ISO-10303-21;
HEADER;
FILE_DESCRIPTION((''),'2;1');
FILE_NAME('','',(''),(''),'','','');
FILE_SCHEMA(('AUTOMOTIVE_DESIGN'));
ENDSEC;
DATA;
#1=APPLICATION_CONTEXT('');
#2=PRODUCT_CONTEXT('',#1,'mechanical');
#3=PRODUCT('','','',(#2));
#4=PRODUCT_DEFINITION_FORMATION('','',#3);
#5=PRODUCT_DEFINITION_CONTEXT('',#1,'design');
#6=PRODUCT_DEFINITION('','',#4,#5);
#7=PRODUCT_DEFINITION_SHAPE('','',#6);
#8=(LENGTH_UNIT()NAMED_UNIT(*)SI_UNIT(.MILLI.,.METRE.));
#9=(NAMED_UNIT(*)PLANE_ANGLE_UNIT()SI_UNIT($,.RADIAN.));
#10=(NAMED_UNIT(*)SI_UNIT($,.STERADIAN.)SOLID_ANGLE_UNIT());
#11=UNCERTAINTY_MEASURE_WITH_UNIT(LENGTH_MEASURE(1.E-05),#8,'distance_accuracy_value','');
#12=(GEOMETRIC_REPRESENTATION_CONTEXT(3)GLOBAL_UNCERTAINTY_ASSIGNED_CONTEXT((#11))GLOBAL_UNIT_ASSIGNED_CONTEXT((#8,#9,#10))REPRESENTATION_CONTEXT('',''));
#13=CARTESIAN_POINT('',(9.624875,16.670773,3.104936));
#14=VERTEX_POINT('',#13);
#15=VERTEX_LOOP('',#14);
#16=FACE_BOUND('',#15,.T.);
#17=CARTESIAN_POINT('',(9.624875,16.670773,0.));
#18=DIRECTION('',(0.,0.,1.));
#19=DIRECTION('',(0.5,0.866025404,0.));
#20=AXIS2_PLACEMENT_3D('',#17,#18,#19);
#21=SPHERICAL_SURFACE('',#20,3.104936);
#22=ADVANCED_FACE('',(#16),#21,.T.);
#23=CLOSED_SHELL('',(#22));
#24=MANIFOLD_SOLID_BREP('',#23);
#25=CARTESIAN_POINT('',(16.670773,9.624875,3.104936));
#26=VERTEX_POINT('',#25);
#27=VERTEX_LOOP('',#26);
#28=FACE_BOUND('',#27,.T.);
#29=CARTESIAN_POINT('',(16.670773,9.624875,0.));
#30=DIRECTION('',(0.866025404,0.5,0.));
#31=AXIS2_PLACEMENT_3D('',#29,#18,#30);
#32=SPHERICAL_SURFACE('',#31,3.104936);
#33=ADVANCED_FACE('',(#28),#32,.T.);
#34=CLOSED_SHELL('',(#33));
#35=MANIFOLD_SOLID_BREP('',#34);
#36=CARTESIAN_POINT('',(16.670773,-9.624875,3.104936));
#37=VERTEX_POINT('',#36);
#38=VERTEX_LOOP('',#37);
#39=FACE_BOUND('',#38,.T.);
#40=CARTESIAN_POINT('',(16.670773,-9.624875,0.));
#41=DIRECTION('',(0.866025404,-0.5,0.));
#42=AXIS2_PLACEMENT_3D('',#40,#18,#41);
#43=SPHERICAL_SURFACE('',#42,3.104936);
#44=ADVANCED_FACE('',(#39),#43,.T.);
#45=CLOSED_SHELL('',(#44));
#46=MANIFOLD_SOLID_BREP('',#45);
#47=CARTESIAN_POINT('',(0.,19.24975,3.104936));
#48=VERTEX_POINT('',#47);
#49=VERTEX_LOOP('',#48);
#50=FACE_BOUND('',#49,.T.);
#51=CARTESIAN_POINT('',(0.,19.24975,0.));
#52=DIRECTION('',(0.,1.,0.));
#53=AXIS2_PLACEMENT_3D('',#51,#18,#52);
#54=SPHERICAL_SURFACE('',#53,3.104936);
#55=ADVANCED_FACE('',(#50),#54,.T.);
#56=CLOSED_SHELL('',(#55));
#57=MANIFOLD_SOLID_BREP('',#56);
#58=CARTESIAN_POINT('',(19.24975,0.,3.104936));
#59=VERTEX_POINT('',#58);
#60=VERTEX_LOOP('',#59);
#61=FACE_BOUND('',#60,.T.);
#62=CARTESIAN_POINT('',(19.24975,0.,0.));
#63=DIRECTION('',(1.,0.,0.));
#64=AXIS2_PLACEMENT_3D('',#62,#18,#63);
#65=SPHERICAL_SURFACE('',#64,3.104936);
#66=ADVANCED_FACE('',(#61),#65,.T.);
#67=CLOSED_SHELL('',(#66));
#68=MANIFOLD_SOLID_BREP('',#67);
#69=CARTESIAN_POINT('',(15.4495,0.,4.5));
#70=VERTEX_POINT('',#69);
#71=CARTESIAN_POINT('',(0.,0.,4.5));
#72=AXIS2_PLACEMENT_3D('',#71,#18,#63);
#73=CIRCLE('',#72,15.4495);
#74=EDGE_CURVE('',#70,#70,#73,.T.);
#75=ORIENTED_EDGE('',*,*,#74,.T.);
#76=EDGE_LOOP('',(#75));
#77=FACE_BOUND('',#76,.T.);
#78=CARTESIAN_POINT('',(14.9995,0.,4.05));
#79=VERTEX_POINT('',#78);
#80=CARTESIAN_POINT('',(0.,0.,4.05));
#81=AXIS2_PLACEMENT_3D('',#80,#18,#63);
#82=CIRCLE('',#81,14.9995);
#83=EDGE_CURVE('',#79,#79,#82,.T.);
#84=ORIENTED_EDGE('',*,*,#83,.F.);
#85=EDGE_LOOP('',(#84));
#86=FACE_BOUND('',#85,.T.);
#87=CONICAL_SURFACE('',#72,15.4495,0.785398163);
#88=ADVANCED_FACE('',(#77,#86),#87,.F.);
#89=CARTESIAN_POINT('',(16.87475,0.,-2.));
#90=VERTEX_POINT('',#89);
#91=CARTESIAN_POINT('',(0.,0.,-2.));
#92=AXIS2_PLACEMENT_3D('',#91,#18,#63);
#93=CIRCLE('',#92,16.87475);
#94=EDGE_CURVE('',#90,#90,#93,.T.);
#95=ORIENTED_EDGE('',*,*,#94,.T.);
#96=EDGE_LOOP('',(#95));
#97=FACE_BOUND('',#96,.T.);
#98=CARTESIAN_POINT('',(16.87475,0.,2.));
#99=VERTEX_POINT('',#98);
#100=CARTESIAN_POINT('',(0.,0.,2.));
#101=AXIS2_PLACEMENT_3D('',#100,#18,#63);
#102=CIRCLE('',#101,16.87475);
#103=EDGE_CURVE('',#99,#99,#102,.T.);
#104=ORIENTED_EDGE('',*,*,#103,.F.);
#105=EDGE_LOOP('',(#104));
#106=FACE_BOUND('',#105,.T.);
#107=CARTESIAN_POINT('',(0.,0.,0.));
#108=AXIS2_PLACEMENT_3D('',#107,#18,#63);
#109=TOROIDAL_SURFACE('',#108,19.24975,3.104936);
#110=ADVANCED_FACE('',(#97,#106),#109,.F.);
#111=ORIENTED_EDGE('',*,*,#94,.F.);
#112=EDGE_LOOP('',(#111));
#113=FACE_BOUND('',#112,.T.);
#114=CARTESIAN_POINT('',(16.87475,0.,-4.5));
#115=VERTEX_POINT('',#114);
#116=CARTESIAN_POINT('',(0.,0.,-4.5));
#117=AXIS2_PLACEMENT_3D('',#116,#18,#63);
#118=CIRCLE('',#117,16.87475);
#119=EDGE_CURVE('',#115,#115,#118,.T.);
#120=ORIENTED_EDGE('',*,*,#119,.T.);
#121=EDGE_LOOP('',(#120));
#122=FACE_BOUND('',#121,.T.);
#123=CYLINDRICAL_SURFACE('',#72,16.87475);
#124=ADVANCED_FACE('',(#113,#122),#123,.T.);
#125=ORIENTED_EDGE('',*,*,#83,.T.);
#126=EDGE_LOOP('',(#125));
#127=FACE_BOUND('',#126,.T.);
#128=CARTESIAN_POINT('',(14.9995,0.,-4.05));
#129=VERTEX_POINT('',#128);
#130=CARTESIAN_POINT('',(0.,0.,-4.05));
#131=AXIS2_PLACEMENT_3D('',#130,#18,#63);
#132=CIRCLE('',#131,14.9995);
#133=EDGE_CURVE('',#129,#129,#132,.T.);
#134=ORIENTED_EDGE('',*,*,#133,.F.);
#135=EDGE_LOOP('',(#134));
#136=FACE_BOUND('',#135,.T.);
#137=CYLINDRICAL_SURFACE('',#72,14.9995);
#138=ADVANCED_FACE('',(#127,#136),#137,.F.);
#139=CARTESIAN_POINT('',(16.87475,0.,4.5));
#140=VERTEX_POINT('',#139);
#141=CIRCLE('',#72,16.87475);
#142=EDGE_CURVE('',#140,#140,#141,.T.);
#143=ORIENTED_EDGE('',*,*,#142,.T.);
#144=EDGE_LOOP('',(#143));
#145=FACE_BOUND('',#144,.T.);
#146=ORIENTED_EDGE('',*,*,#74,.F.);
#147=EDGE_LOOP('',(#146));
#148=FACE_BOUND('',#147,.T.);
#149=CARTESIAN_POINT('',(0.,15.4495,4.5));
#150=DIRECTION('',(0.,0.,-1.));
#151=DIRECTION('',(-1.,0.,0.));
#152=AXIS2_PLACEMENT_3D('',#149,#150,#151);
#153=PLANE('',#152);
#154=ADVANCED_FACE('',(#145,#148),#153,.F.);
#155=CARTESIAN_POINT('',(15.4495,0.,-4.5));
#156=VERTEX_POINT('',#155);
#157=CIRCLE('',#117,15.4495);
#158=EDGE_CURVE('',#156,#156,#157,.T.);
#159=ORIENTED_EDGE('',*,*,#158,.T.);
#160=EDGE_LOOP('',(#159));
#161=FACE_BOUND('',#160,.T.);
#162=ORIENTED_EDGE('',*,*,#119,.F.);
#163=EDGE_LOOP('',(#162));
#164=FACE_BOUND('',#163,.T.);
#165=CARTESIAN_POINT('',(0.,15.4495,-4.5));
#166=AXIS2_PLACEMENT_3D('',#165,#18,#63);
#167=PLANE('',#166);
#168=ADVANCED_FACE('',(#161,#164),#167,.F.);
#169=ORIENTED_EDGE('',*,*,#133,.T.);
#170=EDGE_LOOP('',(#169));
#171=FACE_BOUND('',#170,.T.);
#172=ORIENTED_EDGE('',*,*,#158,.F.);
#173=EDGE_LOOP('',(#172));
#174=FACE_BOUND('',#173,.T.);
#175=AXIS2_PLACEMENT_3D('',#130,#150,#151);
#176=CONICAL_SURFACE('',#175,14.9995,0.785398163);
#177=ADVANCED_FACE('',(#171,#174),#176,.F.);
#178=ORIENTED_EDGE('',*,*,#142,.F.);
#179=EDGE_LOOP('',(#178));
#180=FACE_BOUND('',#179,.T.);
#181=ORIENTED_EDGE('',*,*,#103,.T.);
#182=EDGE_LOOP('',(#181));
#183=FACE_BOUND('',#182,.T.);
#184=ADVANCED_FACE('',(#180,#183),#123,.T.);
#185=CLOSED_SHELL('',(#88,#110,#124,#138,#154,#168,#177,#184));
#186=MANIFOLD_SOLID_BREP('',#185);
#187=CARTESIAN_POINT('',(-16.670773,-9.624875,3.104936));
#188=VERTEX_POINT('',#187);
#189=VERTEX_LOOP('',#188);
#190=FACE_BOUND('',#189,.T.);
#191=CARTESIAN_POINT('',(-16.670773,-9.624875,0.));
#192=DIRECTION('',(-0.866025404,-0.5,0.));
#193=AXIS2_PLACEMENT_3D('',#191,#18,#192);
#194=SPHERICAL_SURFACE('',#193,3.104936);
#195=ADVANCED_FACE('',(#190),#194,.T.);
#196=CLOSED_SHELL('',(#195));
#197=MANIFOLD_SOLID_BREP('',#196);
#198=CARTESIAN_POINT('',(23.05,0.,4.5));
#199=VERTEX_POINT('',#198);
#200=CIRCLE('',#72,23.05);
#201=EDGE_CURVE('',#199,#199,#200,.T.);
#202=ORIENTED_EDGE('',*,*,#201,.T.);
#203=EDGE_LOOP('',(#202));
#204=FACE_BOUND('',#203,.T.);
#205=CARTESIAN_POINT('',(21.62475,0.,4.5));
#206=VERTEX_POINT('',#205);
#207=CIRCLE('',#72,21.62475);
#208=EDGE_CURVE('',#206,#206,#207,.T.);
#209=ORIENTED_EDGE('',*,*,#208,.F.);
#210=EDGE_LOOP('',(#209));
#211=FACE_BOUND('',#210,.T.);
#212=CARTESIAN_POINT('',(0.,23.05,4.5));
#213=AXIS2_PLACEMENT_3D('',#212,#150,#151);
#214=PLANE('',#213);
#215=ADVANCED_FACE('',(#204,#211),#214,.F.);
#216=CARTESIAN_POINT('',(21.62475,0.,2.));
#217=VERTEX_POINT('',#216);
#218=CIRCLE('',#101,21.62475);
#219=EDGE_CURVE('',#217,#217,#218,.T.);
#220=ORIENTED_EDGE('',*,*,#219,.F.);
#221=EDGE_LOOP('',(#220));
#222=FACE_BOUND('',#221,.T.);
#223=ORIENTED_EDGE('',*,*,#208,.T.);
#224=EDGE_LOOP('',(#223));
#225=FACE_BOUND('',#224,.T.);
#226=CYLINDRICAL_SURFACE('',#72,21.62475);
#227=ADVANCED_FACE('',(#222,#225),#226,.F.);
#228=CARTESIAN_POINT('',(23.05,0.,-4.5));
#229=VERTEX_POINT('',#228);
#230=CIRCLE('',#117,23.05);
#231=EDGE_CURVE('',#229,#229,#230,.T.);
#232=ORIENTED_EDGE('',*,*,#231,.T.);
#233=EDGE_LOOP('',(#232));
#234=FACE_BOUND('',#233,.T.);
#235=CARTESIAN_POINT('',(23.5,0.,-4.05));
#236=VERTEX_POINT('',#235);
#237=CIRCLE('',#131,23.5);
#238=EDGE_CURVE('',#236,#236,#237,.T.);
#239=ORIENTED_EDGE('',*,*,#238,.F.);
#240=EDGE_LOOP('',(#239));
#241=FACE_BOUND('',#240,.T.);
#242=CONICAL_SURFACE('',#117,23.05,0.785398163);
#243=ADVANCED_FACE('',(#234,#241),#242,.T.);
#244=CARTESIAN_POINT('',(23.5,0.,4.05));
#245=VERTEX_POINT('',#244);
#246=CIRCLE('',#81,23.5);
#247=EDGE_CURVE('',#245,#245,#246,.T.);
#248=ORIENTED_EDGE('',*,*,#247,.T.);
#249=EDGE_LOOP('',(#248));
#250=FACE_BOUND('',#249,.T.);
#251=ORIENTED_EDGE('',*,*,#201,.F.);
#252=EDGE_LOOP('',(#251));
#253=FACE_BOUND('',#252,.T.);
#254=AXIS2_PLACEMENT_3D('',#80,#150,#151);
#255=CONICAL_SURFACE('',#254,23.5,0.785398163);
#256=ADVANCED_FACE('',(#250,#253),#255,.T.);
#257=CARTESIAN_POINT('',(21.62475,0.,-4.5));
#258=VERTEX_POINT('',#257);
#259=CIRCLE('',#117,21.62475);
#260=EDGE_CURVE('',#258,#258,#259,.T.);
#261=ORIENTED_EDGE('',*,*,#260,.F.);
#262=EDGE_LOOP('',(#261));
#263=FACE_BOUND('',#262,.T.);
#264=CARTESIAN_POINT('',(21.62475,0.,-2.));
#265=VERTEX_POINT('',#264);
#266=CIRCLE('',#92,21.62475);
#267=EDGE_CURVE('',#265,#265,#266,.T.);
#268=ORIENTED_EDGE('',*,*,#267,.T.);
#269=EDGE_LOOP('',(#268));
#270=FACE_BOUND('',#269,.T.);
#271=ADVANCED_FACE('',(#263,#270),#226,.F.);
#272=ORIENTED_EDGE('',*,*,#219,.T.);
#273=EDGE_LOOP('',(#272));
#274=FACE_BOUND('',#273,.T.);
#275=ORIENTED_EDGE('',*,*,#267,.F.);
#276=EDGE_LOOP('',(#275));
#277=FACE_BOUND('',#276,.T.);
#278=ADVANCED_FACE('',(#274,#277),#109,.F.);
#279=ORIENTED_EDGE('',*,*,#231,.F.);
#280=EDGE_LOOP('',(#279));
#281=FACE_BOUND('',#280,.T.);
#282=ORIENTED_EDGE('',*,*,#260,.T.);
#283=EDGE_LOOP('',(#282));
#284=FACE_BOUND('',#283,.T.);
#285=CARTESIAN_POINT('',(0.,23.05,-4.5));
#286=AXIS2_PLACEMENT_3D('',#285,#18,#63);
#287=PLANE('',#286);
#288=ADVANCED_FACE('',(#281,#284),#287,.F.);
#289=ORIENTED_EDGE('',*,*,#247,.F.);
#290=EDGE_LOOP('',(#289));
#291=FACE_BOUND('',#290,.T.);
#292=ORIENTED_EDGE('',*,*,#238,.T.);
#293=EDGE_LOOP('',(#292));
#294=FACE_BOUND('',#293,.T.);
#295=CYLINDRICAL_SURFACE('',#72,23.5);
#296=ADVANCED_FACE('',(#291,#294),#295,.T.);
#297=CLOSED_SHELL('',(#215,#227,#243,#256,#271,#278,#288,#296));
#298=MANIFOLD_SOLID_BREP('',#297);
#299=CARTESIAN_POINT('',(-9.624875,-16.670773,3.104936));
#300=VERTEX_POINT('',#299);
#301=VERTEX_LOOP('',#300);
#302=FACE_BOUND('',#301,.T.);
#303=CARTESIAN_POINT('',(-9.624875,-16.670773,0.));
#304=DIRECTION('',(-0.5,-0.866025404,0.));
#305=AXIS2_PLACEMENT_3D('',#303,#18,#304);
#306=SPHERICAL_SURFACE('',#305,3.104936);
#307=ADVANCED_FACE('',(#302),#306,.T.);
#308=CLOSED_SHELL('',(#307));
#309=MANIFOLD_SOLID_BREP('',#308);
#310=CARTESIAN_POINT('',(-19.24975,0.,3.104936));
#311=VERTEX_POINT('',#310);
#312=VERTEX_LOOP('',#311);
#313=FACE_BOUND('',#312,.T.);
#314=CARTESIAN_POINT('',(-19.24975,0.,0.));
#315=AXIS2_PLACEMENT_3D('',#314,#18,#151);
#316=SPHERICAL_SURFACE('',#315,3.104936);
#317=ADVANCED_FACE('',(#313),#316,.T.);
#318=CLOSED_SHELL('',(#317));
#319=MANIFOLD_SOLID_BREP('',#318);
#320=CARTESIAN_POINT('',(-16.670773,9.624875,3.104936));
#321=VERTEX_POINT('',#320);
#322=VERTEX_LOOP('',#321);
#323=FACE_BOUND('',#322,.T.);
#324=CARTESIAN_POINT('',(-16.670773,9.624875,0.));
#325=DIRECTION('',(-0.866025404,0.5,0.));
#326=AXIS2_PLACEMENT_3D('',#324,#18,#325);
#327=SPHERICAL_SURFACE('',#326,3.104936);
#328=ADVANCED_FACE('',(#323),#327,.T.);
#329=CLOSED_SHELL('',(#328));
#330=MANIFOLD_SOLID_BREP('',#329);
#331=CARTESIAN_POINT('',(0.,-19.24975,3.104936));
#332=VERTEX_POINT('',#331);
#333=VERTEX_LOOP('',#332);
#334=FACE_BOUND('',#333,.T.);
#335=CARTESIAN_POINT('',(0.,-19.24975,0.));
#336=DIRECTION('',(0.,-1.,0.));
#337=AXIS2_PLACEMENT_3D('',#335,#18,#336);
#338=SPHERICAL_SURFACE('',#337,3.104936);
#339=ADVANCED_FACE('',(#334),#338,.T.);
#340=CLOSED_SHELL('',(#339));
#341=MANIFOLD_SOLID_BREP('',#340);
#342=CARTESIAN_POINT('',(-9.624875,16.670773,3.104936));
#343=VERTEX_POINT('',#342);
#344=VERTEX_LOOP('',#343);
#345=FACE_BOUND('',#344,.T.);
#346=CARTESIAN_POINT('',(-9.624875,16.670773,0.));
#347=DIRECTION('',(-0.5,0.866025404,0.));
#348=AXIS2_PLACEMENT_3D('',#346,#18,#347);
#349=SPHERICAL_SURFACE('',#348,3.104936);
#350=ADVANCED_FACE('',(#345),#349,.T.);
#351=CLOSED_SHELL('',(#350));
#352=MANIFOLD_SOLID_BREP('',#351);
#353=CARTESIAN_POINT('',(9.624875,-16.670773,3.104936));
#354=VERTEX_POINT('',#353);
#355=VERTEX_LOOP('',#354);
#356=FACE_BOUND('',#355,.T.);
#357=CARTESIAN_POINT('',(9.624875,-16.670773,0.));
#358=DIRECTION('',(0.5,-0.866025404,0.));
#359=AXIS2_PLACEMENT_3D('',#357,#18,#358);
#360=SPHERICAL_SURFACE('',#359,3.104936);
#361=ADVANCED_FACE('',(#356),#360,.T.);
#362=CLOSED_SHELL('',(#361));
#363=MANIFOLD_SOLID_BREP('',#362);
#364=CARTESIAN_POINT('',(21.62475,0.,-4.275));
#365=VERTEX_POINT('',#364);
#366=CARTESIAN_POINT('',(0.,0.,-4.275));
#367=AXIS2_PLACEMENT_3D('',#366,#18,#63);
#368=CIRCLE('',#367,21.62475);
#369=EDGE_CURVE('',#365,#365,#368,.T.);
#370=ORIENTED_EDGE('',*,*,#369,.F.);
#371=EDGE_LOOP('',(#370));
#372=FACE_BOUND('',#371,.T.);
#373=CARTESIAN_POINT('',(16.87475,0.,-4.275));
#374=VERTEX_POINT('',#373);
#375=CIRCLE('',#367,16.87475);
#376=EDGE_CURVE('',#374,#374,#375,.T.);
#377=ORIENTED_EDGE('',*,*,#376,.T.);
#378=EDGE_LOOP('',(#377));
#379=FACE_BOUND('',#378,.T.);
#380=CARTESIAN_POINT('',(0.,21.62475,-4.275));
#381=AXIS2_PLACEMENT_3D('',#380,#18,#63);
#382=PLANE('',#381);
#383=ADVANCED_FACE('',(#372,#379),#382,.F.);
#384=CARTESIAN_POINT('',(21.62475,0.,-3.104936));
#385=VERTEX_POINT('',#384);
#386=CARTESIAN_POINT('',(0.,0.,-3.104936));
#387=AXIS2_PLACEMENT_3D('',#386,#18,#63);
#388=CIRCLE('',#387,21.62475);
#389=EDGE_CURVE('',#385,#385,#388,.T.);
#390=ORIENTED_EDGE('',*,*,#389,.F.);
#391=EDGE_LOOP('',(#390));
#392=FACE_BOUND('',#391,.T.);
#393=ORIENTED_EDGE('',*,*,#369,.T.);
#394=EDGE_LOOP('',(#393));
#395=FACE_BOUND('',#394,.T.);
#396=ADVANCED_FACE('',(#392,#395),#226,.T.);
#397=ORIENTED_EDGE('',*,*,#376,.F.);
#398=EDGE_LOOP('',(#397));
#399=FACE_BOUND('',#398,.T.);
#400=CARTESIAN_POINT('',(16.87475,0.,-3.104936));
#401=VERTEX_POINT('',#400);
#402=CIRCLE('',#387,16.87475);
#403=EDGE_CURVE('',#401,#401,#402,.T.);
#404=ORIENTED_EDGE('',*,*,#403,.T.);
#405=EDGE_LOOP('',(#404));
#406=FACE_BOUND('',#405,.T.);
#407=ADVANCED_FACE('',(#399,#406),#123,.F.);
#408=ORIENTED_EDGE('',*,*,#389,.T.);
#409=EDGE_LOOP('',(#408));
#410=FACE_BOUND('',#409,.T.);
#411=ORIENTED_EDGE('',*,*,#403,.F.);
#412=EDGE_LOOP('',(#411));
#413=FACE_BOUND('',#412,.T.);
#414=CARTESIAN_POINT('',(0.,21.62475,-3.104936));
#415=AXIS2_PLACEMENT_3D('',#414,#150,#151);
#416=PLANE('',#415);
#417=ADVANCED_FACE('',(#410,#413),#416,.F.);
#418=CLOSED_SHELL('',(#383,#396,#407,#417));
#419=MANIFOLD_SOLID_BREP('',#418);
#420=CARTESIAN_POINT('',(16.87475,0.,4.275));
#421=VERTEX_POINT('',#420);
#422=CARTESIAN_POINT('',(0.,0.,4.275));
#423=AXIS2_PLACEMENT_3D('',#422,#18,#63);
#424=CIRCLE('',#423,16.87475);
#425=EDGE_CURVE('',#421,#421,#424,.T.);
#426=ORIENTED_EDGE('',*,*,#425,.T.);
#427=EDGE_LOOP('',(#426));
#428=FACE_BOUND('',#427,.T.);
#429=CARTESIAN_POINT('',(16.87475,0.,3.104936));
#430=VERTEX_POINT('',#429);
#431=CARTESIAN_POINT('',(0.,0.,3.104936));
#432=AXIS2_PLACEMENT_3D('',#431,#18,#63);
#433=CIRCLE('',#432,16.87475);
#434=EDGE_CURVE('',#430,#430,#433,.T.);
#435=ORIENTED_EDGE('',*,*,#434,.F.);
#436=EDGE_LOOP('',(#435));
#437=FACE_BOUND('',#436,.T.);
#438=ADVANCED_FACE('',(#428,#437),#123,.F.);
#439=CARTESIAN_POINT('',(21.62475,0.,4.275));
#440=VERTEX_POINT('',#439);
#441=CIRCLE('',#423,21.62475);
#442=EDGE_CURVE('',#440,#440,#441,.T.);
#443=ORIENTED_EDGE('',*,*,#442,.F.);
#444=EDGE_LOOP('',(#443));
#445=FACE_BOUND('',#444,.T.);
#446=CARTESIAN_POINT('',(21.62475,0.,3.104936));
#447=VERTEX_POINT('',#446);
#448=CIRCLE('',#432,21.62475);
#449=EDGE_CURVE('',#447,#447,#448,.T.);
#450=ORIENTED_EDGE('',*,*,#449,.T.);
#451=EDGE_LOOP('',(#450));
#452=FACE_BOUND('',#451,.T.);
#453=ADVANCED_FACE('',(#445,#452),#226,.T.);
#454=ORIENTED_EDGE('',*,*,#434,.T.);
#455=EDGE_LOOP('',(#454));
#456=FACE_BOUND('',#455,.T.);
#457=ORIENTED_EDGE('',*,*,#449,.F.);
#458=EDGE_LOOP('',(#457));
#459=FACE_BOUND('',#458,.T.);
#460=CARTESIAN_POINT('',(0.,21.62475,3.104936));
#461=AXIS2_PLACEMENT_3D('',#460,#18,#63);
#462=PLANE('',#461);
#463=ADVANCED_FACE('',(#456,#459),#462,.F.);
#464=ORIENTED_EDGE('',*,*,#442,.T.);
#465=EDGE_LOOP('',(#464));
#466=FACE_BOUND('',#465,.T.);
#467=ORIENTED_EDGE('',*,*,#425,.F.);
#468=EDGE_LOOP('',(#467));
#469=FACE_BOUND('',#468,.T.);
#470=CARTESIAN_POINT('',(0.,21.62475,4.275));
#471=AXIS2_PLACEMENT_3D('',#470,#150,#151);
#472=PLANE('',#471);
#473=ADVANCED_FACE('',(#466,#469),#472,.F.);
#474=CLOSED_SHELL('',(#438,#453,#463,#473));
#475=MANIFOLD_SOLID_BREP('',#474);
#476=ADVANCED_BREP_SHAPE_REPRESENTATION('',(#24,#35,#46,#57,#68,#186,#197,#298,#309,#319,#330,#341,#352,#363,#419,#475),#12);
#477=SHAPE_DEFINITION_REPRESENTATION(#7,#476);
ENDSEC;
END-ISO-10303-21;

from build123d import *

# Parameters (mm, degrees)
CIRPATTERN1_COUNT = 12
SKETCH5_W         = 1.170064413
SKETCH5_H         = 4.75


with BuildPart() as part:
    # Sketch3 → Revolve1 (revolve)
    with BuildSketch(Plane(origin=(0, 0, 0), x_dir=(0, 0, -1), z_dir=(1, 0, 0)), mode=Mode.PRIVATE) as revolve1_sk:
        with BuildLine():
            Line((-4.5, 23.05), (-4.5, 21.62475))
            Line((-4.5, 21.62475), (-2, 21.62475))
            ThreePointArc((-2, 21.62475), (0, 22.354685587), (2, 21.62475))
            Line((2, 21.62475), (4.5, 21.62475))
            Line((4.5, 21.62475), (4.5, 23.05))
            Line((4.5, 23.05), (4.05, 23.5))
            Line((4.05, 23.5), (-4.05, 23.5))
            Line((-4.05, 23.5), (-4.5, 23.05))
        make_face()
        with BuildLine():
            Line((-4.5, 15.4495), (-4.5, 16.87475))
            Line((-4.5, 16.87475), (-2, 16.87475))
            ThreePointArc((-2, 16.87475), (0, 16.144814413), (2, 16.87475))
            Line((2, 16.87475), (4.5, 16.87475))
            Line((4.5, 16.87475), (4.5, 15.4495))
            Line((4.5, 15.4495), (4.05, 14.9995))
            Line((4.05, 14.9995), (-4.05, 14.9995))
            Line((-4.05, 14.9995), (-4.5, 15.4495))
        make_face()
    revolve(revolve1_sk.sketch.rotate(Axis((0, 0, 4.5), (0, 0, -1)), 90), axis=Axis((0, 0, 4.5), (0, 0, -1)))


with BuildPart() as body_2:
    # Sketch4 → Revolve2 (revolve)
    with BuildSketch(Plane(origin=(0, 0, 0), x_dir=(0, 0, -1), z_dir=(1, 0, 0))):
        with BuildLine():
            Line((-3.104935587, 19.24975), (3.104935587, 19.24975))
            ThreePointArc((3.104935587, 19.24975), (0, 22.354685587), (-3.104935587, 19.24975))
        make_face()
    revolve(axis=Axis((0, 19.24975, 3.104935587), (0, 0, -1)))


with BuildPart() as cirpattern1_1:
    # CirPattern1: pattern copy
    add(body_2.part.rotate(Axis((0, 0, 0), (0, 0, 1)), 1 * 360 / CIRPATTERN1_COUNT))


with BuildPart() as cirpattern1_2:
    # CirPattern1: pattern copy
    add(body_2.part.rotate(Axis((0, 0, 0), (0, 0, 1)), 2 * 360 / CIRPATTERN1_COUNT))


with BuildPart() as cirpattern1_3:
    # CirPattern1: pattern copy
    add(body_2.part.rotate(Axis((0, 0, 0), (0, 0, 1)), 3 * 360 / CIRPATTERN1_COUNT))


with BuildPart() as cirpattern1_4:
    # CirPattern1: pattern copy
    add(body_2.part.rotate(Axis((0, 0, 0), (0, 0, 1)), 4 * 360 / CIRPATTERN1_COUNT))


with BuildPart() as cirpattern1_5:
    # CirPattern1: pattern copy
    add(body_2.part.rotate(Axis((0, 0, 0), (0, 0, 1)), 5 * 360 / CIRPATTERN1_COUNT))


with BuildPart() as cirpattern1_6:
    # CirPattern1: pattern copy
    add(body_2.part.rotate(Axis((0, 0, 0), (0, 0, 1)), 6 * 360 / CIRPATTERN1_COUNT))


with BuildPart() as cirpattern1_7:
    # CirPattern1: pattern copy
    add(body_2.part.rotate(Axis((0, 0, 0), (0, 0, 1)), 7 * 360 / CIRPATTERN1_COUNT))


with BuildPart() as cirpattern1_8:
    # CirPattern1: pattern copy
    add(body_2.part.rotate(Axis((0, 0, 0), (0, 0, 1)), 8 * 360 / CIRPATTERN1_COUNT))


with BuildPart() as cirpattern1_9:
    # CirPattern1: pattern copy
    add(body_2.part.rotate(Axis((0, 0, 0), (0, 0, 1)), 9 * 360 / CIRPATTERN1_COUNT))


with BuildPart() as cirpattern1_10:
    # CirPattern1: pattern copy
    add(body_2.part.rotate(Axis((0, 0, 0), (0, 0, 1)), 10 * 360 / CIRPATTERN1_COUNT))


with BuildPart() as cirpattern1_11:
    # CirPattern1: pattern copy
    add(body_2.part.rotate(Axis((0, 0, 0), (0, 0, 1)), 11 * 360 / CIRPATTERN1_COUNT))


with BuildPart() as body_14:
    # Sketch5 → Revolve3 (revolve)
    with BuildSketch(Plane(origin=(0, 0, 0), x_dir=(0, 0, -1), z_dir=(1, 0, 0)), mode=Mode.PRIVATE) as revolve3_sk:
        with Locations((-3.689967794, 19.24975)):
            Rectangle(SKETCH5_W, SKETCH5_H)
        with Locations((3.689967794, 19.24975)):
            Rectangle(SKETCH5_W, SKETCH5_H)
    revolve(revolve3_sk.sketch.rotate(Axis((0, 0, 4.5), (0, 0, -1)), 90), axis=Axis((0, 0, 4.5), (0, 0, -1)))


solid = Compound([part.part, body_2.part, cirpattern1_1.part, cirpattern1_2.part, cirpattern1_3.part, cirpattern1_4.part, cirpattern1_5.part, cirpattern1_6.part, cirpattern1_7.part, cirpattern1_8.part, cirpattern1_9.part, cirpattern1_10.part, cirpattern1_11.part, body_14.part])
